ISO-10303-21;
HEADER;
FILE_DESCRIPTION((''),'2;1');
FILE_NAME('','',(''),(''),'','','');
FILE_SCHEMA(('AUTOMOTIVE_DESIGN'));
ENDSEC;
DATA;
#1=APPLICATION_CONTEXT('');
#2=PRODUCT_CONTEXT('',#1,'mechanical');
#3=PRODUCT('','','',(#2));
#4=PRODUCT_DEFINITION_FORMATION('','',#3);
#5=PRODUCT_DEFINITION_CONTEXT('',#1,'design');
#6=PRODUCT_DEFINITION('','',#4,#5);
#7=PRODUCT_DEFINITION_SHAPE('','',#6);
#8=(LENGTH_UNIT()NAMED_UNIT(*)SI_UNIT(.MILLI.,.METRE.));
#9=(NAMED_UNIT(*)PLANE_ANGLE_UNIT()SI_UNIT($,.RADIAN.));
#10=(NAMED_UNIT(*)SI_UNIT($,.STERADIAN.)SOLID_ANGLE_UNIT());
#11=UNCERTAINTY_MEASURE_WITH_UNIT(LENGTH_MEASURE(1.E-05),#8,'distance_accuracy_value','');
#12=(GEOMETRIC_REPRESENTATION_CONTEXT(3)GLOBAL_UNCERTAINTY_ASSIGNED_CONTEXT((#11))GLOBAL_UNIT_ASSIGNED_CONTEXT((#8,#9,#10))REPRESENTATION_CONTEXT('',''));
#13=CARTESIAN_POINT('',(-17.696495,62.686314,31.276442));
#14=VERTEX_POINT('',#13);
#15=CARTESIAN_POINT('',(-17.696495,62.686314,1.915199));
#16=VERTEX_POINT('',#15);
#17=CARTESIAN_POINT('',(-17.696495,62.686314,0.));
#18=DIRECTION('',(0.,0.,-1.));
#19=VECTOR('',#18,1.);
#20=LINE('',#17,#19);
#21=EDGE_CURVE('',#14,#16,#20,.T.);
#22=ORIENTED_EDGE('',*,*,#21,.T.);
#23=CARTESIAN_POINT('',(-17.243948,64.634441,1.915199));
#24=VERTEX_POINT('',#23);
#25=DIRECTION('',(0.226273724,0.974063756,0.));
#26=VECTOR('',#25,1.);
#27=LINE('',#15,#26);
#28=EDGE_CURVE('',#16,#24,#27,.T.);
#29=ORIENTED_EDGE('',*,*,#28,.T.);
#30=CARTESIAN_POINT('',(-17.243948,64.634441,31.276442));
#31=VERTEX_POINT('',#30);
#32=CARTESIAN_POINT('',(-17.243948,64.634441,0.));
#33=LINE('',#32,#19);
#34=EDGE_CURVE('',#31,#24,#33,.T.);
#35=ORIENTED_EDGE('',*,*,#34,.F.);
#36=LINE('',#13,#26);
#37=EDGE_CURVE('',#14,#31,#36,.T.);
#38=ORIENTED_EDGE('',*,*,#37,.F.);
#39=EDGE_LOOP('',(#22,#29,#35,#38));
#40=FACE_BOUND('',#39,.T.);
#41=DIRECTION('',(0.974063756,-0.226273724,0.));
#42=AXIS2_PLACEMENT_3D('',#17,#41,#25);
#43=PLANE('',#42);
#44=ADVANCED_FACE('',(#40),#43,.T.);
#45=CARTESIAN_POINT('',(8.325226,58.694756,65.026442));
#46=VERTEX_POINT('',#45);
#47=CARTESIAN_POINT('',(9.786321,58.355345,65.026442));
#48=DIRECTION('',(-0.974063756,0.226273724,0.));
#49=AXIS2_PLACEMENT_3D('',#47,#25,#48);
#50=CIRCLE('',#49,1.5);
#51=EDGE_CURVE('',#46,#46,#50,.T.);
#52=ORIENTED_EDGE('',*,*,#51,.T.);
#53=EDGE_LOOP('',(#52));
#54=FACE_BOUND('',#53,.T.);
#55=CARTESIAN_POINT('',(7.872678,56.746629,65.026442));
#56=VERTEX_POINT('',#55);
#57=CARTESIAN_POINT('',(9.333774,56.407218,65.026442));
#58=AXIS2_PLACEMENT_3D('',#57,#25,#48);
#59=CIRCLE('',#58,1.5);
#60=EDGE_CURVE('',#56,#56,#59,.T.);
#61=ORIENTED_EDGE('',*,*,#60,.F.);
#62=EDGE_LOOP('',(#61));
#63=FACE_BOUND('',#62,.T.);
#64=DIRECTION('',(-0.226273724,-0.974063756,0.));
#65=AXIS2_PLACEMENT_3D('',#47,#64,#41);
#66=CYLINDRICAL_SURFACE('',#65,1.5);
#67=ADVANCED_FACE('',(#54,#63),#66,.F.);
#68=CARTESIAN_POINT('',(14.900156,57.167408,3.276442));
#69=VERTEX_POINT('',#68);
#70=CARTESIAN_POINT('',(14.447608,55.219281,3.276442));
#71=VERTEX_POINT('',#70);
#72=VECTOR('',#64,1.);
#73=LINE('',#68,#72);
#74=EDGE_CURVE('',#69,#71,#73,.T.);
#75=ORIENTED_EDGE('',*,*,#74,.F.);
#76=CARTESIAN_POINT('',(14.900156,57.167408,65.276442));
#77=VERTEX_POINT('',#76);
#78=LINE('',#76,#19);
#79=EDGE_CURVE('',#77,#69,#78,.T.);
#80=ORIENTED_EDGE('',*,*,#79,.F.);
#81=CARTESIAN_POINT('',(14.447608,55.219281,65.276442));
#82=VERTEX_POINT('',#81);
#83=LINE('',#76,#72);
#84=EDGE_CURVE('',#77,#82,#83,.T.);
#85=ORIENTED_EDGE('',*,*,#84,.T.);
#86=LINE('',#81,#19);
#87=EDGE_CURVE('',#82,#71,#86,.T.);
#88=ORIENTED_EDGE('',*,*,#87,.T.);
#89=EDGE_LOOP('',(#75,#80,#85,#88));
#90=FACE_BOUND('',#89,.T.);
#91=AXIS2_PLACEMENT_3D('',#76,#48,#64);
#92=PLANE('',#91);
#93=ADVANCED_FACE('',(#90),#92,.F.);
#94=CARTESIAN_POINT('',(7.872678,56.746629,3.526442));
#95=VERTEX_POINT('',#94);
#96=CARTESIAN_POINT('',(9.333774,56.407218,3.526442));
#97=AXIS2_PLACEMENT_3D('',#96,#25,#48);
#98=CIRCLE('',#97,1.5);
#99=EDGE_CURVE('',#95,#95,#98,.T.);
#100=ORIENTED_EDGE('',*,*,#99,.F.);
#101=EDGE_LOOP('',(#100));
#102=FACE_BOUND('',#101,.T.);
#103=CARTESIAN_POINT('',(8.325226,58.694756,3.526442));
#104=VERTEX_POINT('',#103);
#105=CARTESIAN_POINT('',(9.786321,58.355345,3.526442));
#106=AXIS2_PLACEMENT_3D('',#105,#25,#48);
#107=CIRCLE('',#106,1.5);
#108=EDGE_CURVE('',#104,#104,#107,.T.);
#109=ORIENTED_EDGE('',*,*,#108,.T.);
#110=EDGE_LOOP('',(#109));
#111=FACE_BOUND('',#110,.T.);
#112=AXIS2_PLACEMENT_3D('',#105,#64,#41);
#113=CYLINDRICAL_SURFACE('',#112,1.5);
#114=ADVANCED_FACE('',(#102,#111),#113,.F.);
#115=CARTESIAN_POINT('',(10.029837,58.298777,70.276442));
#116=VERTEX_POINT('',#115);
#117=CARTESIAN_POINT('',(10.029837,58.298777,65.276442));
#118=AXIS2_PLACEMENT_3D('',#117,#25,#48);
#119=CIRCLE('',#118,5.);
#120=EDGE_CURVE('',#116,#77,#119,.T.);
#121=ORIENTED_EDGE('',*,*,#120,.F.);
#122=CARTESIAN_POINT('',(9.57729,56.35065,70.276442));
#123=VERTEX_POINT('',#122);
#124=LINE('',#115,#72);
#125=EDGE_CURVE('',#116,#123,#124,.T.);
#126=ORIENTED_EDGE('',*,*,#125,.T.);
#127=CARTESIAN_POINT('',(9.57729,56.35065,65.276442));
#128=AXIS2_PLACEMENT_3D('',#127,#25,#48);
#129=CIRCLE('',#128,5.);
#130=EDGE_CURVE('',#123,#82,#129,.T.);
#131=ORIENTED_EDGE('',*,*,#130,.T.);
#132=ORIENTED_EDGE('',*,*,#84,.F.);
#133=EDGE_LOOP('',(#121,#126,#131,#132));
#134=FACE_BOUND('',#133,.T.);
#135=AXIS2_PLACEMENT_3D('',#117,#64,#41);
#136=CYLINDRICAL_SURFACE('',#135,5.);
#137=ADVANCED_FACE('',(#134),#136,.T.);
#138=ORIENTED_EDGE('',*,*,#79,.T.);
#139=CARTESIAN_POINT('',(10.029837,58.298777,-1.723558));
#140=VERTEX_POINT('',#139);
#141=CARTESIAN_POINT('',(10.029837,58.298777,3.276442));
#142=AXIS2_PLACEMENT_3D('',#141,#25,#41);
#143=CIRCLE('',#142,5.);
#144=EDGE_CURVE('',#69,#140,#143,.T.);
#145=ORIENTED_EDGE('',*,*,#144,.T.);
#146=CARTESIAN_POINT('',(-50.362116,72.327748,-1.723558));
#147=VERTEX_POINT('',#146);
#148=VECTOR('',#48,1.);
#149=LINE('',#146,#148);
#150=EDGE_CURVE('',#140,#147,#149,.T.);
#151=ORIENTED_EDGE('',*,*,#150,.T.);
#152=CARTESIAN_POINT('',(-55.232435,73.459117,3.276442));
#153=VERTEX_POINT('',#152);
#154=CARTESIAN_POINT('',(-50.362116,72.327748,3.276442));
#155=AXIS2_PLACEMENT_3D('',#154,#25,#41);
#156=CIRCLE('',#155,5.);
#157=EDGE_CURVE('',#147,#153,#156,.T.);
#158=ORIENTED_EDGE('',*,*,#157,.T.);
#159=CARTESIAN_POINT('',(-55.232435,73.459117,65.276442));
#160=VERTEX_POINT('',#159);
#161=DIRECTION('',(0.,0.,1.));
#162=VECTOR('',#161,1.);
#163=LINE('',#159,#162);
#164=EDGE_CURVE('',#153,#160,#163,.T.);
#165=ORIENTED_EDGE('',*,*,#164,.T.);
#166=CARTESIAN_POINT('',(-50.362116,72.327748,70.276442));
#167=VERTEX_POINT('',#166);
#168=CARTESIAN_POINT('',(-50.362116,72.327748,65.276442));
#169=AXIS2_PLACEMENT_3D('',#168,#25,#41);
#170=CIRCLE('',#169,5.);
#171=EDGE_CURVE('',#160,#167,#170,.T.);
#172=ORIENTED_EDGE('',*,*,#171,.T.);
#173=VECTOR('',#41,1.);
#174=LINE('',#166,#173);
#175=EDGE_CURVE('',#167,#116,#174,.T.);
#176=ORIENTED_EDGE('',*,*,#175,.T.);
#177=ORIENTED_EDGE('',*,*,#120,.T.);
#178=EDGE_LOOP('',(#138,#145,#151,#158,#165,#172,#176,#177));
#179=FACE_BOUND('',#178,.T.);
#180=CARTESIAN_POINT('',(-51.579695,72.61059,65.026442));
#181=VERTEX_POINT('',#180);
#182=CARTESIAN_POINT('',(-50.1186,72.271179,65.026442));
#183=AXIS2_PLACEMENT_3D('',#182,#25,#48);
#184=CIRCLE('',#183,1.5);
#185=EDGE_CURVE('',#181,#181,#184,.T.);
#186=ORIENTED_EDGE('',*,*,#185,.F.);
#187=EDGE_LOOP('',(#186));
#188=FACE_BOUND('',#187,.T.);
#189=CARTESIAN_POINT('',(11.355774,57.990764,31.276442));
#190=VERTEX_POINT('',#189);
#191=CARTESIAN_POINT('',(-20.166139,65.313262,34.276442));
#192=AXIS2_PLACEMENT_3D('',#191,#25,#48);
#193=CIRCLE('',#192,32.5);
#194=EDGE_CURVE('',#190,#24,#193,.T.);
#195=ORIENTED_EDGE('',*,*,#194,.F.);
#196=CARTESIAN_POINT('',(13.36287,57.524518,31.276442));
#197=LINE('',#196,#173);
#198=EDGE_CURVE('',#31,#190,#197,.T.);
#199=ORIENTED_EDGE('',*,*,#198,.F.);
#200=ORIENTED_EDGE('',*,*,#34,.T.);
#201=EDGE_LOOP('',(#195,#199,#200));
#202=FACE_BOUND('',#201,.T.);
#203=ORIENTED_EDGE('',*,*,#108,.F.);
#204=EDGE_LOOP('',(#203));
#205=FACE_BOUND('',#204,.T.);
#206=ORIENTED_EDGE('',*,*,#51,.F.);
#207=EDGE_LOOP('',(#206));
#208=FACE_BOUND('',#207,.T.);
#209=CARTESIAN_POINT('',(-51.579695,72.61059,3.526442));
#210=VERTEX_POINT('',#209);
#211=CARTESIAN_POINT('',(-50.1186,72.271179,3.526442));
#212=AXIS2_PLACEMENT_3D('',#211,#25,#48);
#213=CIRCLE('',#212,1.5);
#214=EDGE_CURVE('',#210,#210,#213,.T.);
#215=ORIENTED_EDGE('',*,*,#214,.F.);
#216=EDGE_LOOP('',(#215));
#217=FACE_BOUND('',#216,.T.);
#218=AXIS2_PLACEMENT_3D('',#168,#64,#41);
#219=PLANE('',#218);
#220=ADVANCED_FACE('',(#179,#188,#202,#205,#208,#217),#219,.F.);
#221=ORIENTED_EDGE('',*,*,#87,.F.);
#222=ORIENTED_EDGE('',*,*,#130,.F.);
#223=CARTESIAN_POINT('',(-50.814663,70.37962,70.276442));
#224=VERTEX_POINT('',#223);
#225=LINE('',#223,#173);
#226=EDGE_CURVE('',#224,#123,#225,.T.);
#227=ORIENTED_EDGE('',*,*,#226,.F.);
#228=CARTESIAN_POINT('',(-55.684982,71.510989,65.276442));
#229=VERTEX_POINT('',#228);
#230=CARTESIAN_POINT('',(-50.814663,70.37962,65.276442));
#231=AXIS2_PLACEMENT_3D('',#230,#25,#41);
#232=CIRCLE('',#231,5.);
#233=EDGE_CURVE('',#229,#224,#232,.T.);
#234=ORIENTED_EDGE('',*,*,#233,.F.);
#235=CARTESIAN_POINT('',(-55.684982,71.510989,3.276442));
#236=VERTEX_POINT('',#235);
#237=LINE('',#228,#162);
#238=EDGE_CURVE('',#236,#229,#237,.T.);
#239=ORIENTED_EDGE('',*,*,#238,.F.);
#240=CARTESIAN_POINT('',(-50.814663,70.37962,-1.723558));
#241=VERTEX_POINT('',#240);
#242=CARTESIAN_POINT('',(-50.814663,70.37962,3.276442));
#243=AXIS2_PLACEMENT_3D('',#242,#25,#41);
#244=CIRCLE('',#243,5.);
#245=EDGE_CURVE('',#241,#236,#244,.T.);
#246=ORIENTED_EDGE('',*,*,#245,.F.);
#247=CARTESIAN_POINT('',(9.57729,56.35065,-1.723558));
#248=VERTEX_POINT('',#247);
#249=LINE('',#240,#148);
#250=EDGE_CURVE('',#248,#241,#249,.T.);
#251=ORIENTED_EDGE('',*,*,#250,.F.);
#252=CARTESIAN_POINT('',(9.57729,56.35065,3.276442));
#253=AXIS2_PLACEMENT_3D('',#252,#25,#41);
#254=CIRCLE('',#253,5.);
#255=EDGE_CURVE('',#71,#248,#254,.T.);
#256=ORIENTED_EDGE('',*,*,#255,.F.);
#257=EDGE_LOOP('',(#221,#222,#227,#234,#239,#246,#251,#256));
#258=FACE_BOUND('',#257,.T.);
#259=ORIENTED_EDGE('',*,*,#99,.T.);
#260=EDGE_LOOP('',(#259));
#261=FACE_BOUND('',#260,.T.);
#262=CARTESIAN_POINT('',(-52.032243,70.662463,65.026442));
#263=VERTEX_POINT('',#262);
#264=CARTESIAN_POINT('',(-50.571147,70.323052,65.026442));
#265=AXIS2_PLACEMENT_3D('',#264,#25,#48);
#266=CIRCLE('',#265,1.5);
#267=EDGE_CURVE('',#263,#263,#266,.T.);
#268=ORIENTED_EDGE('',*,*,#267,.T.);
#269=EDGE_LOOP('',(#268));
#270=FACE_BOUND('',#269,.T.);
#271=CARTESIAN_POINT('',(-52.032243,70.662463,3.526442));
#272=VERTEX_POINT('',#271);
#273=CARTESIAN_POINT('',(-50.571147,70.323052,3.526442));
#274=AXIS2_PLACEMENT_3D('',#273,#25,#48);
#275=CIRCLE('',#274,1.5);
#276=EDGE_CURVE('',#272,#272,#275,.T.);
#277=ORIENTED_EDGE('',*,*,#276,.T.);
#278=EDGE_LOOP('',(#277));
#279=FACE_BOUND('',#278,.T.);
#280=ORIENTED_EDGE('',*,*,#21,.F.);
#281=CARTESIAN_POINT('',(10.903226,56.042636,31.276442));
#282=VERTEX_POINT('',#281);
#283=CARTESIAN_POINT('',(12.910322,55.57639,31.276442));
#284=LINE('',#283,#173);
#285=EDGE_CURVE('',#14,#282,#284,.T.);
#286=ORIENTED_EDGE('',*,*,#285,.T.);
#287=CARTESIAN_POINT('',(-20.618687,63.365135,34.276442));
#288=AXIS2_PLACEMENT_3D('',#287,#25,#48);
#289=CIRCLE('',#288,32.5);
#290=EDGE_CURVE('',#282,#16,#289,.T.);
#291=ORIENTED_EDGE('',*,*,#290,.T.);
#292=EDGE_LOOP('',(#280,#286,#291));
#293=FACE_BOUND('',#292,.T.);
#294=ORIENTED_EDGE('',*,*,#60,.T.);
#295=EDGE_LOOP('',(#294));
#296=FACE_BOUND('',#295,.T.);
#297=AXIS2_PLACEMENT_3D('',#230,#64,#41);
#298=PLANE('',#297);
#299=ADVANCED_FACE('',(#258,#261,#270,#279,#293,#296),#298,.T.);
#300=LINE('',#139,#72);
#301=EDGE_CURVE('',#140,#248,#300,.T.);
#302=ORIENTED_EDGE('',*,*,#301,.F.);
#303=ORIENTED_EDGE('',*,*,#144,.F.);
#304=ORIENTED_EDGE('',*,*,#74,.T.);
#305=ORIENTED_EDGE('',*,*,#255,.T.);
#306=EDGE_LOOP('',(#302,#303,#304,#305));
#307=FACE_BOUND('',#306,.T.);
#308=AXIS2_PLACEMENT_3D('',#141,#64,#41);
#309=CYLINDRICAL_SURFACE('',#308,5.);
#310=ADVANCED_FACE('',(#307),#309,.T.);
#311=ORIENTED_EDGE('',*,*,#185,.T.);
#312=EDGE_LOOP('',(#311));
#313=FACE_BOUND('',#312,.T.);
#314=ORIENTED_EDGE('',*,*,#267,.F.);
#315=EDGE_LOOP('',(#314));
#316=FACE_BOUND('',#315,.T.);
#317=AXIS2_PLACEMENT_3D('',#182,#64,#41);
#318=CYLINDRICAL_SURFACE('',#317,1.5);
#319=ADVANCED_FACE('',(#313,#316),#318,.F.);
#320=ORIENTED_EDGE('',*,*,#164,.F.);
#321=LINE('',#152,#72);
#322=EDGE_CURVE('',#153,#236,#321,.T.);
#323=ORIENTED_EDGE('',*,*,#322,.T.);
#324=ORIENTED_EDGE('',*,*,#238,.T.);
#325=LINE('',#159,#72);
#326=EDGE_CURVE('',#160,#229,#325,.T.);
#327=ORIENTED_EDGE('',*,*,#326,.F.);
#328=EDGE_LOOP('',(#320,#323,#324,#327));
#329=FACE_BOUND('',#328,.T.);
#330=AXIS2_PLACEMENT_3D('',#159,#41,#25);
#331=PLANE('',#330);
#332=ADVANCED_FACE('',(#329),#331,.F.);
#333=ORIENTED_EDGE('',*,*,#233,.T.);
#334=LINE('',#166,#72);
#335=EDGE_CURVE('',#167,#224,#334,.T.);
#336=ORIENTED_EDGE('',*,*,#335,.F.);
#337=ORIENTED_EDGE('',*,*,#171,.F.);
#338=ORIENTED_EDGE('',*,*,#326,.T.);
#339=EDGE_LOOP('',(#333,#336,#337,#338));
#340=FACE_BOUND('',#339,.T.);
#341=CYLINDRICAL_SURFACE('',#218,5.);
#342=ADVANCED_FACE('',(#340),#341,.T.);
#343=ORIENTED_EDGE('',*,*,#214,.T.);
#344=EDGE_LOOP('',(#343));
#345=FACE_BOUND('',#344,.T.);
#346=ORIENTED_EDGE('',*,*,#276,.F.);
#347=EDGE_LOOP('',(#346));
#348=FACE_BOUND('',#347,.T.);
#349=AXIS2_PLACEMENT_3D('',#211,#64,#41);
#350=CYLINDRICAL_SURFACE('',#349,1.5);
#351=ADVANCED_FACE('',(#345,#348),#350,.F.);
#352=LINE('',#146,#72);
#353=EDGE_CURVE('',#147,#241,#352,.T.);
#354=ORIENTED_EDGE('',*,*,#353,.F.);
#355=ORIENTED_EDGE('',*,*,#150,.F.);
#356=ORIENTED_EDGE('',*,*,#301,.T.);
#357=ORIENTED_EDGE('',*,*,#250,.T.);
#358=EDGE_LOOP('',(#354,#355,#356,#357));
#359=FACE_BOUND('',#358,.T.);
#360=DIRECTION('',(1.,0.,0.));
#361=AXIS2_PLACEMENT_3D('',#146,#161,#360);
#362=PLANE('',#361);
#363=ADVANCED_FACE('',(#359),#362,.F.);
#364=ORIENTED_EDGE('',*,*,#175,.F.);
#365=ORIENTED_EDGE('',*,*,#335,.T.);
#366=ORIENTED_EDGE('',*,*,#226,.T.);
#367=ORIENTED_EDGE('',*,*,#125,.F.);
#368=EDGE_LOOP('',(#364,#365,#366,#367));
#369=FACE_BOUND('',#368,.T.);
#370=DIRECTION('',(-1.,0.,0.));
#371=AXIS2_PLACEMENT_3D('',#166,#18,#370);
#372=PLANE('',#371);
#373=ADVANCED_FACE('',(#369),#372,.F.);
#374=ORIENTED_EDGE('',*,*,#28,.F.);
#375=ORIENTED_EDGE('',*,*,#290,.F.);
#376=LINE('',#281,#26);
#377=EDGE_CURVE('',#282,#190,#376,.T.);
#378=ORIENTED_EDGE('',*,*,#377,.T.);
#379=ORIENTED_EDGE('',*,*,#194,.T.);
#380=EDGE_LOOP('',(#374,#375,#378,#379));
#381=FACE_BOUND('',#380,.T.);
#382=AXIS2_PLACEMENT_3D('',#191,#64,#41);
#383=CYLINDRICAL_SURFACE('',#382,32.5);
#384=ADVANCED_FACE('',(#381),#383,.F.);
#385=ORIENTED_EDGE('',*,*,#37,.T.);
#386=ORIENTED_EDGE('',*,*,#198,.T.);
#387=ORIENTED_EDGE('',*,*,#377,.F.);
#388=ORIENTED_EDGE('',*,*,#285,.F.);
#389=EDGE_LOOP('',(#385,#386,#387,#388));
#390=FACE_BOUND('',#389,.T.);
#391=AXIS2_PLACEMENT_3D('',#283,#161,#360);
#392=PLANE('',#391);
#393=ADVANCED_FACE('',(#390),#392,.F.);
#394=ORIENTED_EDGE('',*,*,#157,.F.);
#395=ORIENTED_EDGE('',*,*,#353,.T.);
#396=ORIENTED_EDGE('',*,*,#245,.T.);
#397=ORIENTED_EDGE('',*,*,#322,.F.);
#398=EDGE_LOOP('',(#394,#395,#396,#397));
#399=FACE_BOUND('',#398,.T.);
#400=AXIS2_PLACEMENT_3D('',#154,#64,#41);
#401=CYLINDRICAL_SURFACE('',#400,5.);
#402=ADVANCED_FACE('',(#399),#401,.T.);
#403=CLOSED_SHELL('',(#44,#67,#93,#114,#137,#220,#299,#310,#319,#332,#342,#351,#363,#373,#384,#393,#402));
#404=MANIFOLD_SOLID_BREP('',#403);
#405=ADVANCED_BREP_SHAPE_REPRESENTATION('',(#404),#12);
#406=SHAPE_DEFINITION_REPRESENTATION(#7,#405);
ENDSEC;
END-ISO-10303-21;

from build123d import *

# Parameters (mm, degrees)
SKETCH1_R           = 1.5
SKETCH1_R_2         = 32.5
BOSS_EXTRUDE1_DEPTH = 2
BOSS_EXTRUDE2_DEPTH = 2


with BuildPart() as part:
    # Sketch1 → Boss-Extrude1 (new body)
    with BuildSketch(Plane(origin=(12.910322113, 55.576390481, 0), x_dir=(0.974063756, -0.226273724, 0), z_dir=(0.226273724, 0.974063756, 0))):
        with BuildLine():
            Line((-65.421780539, -70.276441512), (-3.421780539, -70.276441512))
            ThreePointArc((-3.421780539, -70.276441512), (0.113753366, -68.811975418), (1.578219461, -65.276441512))
            Line((1.578219461, -65.276441512), (1.578219461, -3.276441512))
            ThreePointArc((1.578219461, -3.276441512), (0.113753366, 0.259092394), (-3.421780539, 1.723558488))
            Line((-3.421780539, 1.723558488), (-65.421780539, 1.723558488))
            ThreePointArc((-65.421780539, 1.723558488), (-68.957314445, 0.259092394), (-70.421780539, -3.276441512))
            Line((-70.421780539, -3.276441512), (-70.421780539, -65.276441512))
            ThreePointArc((-70.421780539, -65.276441512), (-68.957314445, -68.811975418), (-65.421780539, -70.276441512))
        make_face()
        with Locations((-65.171780539, -3.526441512)):
            Circle(SKETCH1_R, mode=Mode.SUBTRACT)
        with Locations((-65.171780539, -65.026441512)):
            Circle(SKETCH1_R, mode=Mode.SUBTRACT)
        with Locations((-3.671780539, -65.026441512)):
            Circle(SKETCH1_R, mode=Mode.SUBTRACT)
        with Locations((-3.671780539, -3.526441512)):
            Circle(SKETCH1_R, mode=Mode.SUBTRACT)
        with Locations((-34.421780539, -34.276441512)):
            Circle(SKETCH1_R_2, mode=Mode.SUBTRACT)
    extrude(amount=BOSS_EXTRUDE1_DEPTH)

    # Sketch2 → Boss-Extrude2 (add)
    with BuildSketch(Plane(origin=(13.362869562, 57.524517994, 0), x_dir=(0.974063756, -0.226273724, 0), z_dir=(0.226273724, 0.974063756, 0))):
        with BuildLine():
            Line((-2.060538289, -31.276441512), (-31.421780539, -31.276441512))
            Line((-31.421780539, -31.276441512), (-31.421780539, -1.915199262))
            ThreePointArc((-31.421780539, -1.915199262), (-57.402750928, -57.257411901), (-2.060538289, -31.276441512))
        make_face()
    extrude(amount=-BOSS_EXTRUDE2_DEPTH)


solid = part.part
